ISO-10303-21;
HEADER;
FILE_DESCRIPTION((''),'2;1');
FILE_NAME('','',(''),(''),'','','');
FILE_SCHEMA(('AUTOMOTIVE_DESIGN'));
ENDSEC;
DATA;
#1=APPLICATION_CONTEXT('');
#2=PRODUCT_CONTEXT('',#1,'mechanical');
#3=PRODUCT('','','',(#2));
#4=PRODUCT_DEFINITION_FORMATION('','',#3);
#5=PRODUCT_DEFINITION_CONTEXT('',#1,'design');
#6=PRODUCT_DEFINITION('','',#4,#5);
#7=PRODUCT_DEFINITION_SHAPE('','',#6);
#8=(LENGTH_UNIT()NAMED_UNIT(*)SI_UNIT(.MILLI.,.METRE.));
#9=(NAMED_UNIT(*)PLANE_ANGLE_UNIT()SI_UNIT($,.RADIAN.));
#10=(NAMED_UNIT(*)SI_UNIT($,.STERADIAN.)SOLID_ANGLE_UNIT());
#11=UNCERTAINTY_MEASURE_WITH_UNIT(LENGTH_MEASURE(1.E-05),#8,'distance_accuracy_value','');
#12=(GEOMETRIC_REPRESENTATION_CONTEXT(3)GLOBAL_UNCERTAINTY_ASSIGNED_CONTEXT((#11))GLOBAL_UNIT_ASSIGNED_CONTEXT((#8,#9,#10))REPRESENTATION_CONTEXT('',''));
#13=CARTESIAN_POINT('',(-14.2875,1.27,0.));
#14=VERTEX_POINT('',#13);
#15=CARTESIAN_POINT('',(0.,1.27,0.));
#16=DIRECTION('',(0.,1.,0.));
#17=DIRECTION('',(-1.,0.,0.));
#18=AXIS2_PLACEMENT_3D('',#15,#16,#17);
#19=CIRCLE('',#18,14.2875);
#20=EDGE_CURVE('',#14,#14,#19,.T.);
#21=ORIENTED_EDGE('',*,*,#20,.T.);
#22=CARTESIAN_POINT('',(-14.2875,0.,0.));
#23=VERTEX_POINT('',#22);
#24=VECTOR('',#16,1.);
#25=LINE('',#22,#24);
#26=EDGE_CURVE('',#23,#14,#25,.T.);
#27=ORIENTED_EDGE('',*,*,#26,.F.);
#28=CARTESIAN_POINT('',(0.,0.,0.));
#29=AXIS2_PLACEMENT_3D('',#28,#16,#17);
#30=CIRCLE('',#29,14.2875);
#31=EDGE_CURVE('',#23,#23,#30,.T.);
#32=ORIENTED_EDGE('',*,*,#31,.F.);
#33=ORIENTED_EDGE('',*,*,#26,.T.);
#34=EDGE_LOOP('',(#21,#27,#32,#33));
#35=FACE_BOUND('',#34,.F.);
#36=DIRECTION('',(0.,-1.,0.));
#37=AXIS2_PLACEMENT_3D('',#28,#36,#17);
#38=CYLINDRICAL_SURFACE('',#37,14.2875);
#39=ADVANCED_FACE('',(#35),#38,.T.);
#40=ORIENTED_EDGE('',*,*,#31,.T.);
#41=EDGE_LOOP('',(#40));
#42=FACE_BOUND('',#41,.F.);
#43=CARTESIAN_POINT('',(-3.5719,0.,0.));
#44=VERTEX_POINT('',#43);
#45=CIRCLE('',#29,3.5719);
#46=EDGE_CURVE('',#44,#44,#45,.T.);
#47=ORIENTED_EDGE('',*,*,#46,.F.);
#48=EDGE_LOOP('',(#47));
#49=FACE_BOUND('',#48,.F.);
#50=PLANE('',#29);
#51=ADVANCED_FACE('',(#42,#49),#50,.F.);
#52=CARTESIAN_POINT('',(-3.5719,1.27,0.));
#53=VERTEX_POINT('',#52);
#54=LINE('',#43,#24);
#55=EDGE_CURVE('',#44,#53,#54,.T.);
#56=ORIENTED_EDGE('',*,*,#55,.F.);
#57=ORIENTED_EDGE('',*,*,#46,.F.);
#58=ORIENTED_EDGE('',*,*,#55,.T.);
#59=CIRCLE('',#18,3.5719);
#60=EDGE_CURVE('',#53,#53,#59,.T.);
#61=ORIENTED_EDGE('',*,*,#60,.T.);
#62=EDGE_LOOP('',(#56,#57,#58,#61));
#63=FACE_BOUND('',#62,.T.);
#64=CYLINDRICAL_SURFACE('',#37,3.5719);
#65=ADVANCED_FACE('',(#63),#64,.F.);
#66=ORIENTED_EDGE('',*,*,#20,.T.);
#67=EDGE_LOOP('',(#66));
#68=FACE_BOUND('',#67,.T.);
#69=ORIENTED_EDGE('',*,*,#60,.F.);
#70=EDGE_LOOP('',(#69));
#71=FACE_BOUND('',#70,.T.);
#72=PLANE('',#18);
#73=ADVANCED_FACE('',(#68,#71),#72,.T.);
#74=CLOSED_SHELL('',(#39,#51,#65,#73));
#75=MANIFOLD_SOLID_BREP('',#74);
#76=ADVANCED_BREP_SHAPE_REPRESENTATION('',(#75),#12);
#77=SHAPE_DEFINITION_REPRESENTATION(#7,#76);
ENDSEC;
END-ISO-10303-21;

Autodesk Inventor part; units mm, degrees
ref_plane "YZ Plane" through (0, 0, 0) normal (1, 0, 0) x (0, 1, 0)
ref_plane "XZ Plane" through (0, 0, 0) normal (0, 1, 0) x (-1, 0, 0)
ref_plane "XY Plane" through (0, 0, 0) normal (0, 0, 1) x (1, 0, 0)
sketch "Sketch1" plane through (0, 0, 0) normal (0, 1, 0) x (-1, 0, 0)
  circle A0 centre (0, 0) radius 3.5719
  circle A1 centre (0, 0) radius 14.2875
  dimension "d0" = 7.1437
  dimension "d1" = 28.575
extrude "Extrusion1" add sketch "Sketch1" along normal blind 1.27
properties part number "0.25x20 Washer Large Diameter" material "Steel"
